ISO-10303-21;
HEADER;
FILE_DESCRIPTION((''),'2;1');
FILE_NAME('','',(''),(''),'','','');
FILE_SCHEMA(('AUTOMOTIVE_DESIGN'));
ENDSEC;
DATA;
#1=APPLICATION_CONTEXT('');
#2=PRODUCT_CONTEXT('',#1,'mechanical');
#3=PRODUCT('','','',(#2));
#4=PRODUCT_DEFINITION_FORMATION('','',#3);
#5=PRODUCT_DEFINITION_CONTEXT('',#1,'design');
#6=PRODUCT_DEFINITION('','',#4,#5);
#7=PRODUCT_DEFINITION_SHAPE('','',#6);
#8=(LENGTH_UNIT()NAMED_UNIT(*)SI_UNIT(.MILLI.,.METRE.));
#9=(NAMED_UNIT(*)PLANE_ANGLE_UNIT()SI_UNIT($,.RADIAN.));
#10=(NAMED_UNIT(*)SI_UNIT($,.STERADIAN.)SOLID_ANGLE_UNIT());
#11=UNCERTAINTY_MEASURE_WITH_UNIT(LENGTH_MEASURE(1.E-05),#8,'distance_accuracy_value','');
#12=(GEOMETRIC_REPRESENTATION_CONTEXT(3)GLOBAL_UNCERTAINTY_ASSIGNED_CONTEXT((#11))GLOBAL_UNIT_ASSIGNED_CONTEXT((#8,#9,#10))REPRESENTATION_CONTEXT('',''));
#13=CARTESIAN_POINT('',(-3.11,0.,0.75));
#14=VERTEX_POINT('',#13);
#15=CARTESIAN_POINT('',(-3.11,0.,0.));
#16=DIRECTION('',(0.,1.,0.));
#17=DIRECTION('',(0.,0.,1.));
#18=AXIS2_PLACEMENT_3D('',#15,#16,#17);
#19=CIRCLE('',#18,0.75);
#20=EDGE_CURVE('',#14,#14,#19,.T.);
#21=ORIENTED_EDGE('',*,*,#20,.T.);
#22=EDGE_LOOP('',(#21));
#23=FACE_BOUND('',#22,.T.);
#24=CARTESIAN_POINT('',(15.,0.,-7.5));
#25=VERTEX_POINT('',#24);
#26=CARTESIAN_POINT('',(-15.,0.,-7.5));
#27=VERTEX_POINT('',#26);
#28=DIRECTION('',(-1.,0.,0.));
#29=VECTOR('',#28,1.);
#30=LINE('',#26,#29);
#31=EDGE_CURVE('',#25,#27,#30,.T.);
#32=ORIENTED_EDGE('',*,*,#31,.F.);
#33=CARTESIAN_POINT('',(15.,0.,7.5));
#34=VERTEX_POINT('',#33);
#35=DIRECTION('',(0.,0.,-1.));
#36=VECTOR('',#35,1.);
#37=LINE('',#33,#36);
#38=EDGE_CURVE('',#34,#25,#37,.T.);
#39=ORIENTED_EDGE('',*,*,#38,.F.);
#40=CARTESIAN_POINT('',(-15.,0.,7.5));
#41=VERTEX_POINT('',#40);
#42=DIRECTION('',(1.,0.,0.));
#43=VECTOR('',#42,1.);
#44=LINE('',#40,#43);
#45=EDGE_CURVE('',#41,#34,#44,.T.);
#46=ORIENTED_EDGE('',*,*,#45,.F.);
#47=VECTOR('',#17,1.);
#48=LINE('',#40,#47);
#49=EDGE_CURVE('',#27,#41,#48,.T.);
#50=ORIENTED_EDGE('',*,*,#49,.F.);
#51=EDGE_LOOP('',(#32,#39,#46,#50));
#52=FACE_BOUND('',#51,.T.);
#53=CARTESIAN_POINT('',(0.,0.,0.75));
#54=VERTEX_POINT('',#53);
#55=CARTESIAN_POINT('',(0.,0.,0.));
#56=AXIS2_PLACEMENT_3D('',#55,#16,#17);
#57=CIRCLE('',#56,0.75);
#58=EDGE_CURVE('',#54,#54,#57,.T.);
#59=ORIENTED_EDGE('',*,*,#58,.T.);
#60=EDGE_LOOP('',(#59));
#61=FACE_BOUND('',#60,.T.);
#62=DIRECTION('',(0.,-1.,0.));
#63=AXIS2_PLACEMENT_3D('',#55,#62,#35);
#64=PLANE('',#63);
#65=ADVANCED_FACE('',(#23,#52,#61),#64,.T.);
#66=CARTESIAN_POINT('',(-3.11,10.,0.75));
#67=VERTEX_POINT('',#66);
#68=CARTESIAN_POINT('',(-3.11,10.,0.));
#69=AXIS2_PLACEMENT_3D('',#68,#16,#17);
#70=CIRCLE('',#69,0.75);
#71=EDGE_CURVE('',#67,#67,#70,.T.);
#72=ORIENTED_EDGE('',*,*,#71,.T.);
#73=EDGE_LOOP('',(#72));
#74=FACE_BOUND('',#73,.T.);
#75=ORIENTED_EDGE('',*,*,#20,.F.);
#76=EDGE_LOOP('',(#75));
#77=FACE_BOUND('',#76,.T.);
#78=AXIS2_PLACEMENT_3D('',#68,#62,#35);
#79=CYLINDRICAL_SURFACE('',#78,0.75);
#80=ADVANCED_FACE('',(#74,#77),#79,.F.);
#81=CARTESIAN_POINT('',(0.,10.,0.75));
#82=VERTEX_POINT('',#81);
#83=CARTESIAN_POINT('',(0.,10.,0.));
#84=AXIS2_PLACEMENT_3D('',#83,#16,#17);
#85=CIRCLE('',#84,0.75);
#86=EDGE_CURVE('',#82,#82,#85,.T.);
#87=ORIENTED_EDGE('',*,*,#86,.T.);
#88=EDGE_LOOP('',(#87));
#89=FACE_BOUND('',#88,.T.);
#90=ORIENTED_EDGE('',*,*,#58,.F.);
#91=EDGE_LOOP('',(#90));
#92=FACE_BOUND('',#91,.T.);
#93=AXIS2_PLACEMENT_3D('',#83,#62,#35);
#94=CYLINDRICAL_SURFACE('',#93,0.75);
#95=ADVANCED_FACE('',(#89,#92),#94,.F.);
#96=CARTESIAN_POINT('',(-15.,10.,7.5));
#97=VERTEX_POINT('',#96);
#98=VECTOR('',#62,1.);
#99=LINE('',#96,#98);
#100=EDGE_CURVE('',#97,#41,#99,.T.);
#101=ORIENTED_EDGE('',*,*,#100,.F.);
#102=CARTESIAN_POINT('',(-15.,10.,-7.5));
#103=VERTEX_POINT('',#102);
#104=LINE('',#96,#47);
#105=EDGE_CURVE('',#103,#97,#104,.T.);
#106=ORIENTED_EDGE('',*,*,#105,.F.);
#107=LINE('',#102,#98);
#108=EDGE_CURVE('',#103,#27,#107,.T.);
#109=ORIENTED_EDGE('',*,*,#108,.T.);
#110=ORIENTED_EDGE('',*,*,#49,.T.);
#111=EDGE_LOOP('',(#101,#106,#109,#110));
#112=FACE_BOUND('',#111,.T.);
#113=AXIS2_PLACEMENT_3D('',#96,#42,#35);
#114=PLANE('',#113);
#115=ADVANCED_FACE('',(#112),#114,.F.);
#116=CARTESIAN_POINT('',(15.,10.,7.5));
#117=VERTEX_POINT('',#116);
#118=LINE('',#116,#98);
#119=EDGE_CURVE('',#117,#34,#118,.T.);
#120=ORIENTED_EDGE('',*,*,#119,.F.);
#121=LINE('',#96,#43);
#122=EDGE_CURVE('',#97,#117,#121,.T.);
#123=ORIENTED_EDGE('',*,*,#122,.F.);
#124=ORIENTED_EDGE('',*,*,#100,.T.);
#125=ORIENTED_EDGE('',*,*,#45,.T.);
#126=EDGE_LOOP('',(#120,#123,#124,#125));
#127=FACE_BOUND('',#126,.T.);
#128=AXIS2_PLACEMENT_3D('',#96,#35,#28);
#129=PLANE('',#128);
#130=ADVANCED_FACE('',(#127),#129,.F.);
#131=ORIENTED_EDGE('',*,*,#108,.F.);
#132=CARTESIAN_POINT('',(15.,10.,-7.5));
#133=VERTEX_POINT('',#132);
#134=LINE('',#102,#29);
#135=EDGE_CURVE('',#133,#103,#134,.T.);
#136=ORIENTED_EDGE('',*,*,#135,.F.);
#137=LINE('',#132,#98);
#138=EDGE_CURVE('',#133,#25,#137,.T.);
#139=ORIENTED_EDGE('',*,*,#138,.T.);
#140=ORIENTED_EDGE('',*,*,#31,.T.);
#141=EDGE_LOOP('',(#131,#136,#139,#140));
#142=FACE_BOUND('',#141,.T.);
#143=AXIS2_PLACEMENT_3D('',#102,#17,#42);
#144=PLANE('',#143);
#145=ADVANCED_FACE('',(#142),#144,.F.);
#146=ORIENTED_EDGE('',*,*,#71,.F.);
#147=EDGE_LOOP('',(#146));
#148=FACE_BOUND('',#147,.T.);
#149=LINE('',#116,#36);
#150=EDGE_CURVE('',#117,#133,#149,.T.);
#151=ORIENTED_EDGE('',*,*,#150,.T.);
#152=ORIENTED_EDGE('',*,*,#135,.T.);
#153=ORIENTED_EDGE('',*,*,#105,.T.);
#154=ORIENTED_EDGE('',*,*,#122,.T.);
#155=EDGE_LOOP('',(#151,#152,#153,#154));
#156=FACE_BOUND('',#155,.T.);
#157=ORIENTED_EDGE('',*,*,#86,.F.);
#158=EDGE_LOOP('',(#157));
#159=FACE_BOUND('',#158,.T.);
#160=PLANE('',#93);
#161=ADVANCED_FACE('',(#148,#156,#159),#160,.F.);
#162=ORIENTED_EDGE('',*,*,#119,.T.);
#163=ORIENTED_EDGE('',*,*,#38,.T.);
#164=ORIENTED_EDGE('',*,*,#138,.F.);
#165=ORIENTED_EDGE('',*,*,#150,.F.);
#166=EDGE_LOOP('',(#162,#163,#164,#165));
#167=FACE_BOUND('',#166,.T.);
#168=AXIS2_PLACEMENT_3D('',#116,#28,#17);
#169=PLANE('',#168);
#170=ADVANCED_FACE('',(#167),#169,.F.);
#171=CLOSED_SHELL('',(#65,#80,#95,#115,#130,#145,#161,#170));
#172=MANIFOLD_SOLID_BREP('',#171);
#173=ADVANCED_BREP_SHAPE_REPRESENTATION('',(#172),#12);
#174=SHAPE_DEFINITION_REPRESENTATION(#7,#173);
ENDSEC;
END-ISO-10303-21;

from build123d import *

# Parameters (mm, degrees)
SKETCH1_W           = 30
SKETCH1_H           = 15
SKETCH1_R           = 0.75
BOSS_EXTRUDE1_DEPTH = 10


with BuildPart() as part:
    # Sketch1 → Boss-Extrude1 (new body)
    with BuildSketch(Plane(origin=(0, 0, 0), x_dir=(1, 0, 0), z_dir=(0, 1, 0))):
        Rectangle(SKETCH1_W, SKETCH1_H)
        with Locations(Location((0, 0, 0), (0, 0, 270))):
            Circle(SKETCH1_R, mode=Mode.SUBTRACT)
        with Locations(Location((-3.11, 0, 0), (0, 0, 270))):
            Circle(SKETCH1_R, mode=Mode.SUBTRACT)
    extrude(amount=BOSS_EXTRUDE1_DEPTH)


solid = part.part
